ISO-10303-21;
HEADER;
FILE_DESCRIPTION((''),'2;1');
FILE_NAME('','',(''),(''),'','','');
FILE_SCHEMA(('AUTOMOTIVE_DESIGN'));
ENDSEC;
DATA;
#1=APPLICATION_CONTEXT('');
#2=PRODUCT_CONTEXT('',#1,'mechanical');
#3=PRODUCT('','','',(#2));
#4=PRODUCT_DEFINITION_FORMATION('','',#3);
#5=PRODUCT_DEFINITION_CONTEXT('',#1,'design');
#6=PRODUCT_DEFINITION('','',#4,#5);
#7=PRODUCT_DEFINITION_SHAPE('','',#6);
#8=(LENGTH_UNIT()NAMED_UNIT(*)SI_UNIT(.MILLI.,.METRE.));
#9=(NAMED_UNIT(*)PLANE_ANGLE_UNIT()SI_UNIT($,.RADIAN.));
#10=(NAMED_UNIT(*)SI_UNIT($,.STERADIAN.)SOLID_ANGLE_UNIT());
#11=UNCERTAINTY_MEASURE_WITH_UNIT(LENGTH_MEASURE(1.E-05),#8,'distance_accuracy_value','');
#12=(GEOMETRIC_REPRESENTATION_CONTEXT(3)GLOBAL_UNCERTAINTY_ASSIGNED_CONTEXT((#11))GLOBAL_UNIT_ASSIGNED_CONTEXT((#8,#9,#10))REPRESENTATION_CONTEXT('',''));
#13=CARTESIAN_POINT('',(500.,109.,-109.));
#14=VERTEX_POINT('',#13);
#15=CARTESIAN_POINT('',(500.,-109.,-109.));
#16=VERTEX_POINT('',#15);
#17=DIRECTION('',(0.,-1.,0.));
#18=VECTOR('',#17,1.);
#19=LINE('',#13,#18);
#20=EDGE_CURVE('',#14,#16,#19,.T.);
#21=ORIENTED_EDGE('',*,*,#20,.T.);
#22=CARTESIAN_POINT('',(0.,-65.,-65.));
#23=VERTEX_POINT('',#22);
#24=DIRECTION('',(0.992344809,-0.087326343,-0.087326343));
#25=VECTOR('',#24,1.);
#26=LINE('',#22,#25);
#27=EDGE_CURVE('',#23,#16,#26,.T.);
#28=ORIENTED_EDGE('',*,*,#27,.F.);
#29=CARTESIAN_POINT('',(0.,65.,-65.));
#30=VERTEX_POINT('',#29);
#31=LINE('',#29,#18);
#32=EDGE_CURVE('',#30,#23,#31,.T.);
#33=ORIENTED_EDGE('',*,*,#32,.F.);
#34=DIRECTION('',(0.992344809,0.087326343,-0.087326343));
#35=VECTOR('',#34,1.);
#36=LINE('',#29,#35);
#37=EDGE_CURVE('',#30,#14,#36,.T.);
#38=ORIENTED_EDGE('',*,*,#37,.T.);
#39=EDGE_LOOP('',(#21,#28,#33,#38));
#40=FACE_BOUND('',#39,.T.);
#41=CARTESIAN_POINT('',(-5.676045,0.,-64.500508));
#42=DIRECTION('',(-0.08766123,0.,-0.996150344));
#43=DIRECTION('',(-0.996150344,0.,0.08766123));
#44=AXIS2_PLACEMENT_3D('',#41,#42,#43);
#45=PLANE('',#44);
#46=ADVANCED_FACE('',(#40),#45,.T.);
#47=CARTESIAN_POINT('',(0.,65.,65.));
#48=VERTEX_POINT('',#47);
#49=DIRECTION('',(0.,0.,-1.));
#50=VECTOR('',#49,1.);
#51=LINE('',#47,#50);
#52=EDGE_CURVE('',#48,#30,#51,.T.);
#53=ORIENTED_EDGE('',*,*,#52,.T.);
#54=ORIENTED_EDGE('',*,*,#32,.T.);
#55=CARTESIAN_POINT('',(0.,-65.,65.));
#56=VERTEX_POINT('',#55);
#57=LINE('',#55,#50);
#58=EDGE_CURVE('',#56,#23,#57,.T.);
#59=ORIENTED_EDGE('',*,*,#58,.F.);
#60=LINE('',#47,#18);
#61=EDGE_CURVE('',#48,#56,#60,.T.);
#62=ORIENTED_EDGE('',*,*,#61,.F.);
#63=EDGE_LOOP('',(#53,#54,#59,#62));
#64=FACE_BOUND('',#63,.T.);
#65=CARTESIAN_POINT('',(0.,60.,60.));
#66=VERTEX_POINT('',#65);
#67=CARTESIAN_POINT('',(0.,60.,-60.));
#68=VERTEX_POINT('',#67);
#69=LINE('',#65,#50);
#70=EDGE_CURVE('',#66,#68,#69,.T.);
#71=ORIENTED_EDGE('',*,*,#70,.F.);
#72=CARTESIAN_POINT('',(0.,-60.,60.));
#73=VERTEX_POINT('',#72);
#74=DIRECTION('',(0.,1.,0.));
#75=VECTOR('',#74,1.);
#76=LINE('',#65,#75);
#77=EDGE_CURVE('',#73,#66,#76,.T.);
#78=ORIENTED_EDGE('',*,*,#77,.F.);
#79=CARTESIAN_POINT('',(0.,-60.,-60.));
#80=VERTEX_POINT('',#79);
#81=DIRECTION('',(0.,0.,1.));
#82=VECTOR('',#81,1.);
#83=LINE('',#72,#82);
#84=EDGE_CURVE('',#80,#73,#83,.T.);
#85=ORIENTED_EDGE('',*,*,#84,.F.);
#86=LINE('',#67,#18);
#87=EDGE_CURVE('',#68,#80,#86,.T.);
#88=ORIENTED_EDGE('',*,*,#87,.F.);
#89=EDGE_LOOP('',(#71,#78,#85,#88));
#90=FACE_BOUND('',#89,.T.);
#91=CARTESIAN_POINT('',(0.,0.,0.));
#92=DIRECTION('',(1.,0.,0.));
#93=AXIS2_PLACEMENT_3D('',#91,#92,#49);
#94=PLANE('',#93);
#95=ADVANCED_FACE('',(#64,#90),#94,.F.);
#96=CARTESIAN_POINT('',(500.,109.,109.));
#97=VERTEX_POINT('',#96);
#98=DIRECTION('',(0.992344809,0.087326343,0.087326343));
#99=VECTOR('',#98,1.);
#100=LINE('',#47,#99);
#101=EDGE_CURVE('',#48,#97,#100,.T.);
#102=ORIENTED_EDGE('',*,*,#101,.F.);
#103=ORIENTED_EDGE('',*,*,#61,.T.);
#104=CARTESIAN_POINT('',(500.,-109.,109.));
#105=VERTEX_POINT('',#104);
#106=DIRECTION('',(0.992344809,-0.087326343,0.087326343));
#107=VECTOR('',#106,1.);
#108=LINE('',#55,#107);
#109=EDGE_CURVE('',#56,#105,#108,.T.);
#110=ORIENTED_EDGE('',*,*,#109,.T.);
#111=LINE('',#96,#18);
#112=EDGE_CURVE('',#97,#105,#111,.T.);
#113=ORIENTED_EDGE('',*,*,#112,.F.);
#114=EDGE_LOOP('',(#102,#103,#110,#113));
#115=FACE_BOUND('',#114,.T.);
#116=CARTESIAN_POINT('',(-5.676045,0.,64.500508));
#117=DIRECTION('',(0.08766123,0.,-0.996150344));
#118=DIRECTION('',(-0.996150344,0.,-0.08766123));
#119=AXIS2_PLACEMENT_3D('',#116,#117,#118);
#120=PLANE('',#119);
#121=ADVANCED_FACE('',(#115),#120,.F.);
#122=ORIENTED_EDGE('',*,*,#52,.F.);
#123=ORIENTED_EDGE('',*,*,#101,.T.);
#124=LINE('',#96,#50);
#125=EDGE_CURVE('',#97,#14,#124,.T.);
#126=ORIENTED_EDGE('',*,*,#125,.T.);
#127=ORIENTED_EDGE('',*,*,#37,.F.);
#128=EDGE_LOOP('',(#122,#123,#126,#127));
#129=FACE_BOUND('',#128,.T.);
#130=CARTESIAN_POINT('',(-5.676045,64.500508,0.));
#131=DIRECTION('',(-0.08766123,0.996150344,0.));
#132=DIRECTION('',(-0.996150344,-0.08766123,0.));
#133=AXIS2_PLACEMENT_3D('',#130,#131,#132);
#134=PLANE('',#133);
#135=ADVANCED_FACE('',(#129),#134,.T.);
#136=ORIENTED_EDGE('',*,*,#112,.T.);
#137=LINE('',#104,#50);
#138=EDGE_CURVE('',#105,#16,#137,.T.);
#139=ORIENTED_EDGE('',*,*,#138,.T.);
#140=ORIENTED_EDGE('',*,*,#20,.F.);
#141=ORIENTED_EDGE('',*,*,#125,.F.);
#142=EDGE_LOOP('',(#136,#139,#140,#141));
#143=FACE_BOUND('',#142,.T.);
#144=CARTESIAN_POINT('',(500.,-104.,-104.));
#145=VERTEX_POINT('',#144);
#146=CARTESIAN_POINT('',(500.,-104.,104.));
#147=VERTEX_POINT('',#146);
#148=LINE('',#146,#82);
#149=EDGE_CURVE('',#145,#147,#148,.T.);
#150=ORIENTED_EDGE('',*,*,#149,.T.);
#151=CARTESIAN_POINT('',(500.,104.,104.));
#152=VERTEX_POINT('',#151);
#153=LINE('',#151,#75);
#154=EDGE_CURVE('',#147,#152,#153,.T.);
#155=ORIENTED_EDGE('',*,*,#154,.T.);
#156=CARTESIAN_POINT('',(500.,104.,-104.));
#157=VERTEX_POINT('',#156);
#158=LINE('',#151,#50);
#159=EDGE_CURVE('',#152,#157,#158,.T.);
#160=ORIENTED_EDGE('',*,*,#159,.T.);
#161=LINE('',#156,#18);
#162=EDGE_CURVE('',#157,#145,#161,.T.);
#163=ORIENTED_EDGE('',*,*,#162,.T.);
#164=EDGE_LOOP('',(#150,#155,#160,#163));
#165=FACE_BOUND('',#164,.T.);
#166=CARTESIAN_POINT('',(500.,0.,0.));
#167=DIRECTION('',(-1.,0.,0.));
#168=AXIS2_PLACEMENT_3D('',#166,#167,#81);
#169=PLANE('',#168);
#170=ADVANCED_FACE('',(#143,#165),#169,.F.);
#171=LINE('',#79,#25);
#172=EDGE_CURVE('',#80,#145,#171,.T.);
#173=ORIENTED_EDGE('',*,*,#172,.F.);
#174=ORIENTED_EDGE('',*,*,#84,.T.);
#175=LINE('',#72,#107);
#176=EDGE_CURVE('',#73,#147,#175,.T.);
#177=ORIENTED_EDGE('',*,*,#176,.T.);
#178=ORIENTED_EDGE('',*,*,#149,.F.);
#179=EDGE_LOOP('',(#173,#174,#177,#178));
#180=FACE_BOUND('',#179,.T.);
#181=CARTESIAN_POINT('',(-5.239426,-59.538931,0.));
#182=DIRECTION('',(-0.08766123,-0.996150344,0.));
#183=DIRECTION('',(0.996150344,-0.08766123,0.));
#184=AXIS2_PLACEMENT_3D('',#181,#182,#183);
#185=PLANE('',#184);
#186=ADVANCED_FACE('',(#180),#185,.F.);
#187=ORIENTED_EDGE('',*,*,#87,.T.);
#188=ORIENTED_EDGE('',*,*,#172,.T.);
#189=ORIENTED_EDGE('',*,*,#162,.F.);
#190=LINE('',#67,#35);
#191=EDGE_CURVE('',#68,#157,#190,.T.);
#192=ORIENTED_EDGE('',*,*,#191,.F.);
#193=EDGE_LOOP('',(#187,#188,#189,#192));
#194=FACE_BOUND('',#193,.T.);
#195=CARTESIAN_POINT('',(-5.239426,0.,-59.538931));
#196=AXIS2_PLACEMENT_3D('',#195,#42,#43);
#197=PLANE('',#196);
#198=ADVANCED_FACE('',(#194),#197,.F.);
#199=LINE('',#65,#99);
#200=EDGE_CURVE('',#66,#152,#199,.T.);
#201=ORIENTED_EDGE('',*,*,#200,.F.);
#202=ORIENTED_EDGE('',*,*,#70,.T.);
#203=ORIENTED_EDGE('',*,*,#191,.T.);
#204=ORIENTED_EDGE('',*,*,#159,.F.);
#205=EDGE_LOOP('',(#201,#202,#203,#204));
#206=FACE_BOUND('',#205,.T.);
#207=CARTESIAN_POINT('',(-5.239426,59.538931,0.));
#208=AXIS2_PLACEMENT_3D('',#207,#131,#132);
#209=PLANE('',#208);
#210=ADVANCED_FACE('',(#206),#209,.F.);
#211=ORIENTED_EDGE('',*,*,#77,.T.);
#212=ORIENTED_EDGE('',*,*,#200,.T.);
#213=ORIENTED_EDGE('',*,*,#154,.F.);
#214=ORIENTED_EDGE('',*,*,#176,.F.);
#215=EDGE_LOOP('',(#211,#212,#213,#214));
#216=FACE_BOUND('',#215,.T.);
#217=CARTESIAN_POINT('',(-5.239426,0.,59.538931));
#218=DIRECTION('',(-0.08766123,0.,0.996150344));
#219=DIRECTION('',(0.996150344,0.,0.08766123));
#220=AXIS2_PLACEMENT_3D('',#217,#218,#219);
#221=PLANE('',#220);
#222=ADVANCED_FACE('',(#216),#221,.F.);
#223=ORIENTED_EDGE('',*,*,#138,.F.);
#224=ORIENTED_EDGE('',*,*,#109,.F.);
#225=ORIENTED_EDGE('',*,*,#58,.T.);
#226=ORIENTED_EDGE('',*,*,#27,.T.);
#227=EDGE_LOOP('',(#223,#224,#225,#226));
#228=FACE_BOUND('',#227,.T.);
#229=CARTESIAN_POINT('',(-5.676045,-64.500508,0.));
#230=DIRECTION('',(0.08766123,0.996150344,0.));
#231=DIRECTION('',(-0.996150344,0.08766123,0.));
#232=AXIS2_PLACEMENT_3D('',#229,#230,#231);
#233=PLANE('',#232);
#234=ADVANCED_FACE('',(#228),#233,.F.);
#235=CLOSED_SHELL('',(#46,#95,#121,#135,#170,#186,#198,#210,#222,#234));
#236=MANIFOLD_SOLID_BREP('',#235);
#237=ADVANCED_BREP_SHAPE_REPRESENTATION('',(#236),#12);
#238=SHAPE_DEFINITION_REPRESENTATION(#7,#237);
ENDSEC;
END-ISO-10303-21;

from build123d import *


with BuildPart() as part:
    # Sketch1 → Loft1 section 0
    with BuildSketch(Plane(origin=(0, 0, 0), x_dir=(0, 0, -1), z_dir=(1, 0, 0))):
        with BuildLine():
            Line((-65, 65), (65, 65))
            Line((65, 65), (65, -65))
            Line((65, -65), (-65, -65))
            Line((-65, -65), (-65, 65))
        make_face()
    # Sketch2 → Loft1 section 1
    with BuildSketch(Plane(origin=(500, 0, 0), x_dir=(0, 0, -1), z_dir=(1, 0, 0))):
        with BuildLine():
            Line((-109, 109), (109, 109))
            Line((109, 109), (109, -109))
            Line((109, -109), (-109, -109))
            Line((-109, -109), (-109, 109))
        make_face()
    loft()

    # Sketch1<3> → Cut-Loft1 section 0
    with BuildSketch(Plane(origin=(0, 0, 0), x_dir=(0, 0, -1), z_dir=(1, 0, 0))):
        with BuildLine():
            Line((-60, 60), (60, 60))
            Line((60, 60), (60, -60))
            Line((60, -60), (-60, -60))
            Line((-60, -60), (-60, 60))
        make_face()
    # Sketch2<3> → Cut-Loft1 section 1
    with BuildSketch(Plane(origin=(500, 0, 0), x_dir=(0, 0, -1), z_dir=(1, 0, 0))):
        with BuildLine():
            Line((-104, 104), (104, 104))
            Line((104, 104), (104, -104))
            Line((104, -104), (-104, -104))
            Line((-104, -104), (-104, 104))
        make_face()
    loft(mode=Mode.SUBTRACT)


solid = part.part
